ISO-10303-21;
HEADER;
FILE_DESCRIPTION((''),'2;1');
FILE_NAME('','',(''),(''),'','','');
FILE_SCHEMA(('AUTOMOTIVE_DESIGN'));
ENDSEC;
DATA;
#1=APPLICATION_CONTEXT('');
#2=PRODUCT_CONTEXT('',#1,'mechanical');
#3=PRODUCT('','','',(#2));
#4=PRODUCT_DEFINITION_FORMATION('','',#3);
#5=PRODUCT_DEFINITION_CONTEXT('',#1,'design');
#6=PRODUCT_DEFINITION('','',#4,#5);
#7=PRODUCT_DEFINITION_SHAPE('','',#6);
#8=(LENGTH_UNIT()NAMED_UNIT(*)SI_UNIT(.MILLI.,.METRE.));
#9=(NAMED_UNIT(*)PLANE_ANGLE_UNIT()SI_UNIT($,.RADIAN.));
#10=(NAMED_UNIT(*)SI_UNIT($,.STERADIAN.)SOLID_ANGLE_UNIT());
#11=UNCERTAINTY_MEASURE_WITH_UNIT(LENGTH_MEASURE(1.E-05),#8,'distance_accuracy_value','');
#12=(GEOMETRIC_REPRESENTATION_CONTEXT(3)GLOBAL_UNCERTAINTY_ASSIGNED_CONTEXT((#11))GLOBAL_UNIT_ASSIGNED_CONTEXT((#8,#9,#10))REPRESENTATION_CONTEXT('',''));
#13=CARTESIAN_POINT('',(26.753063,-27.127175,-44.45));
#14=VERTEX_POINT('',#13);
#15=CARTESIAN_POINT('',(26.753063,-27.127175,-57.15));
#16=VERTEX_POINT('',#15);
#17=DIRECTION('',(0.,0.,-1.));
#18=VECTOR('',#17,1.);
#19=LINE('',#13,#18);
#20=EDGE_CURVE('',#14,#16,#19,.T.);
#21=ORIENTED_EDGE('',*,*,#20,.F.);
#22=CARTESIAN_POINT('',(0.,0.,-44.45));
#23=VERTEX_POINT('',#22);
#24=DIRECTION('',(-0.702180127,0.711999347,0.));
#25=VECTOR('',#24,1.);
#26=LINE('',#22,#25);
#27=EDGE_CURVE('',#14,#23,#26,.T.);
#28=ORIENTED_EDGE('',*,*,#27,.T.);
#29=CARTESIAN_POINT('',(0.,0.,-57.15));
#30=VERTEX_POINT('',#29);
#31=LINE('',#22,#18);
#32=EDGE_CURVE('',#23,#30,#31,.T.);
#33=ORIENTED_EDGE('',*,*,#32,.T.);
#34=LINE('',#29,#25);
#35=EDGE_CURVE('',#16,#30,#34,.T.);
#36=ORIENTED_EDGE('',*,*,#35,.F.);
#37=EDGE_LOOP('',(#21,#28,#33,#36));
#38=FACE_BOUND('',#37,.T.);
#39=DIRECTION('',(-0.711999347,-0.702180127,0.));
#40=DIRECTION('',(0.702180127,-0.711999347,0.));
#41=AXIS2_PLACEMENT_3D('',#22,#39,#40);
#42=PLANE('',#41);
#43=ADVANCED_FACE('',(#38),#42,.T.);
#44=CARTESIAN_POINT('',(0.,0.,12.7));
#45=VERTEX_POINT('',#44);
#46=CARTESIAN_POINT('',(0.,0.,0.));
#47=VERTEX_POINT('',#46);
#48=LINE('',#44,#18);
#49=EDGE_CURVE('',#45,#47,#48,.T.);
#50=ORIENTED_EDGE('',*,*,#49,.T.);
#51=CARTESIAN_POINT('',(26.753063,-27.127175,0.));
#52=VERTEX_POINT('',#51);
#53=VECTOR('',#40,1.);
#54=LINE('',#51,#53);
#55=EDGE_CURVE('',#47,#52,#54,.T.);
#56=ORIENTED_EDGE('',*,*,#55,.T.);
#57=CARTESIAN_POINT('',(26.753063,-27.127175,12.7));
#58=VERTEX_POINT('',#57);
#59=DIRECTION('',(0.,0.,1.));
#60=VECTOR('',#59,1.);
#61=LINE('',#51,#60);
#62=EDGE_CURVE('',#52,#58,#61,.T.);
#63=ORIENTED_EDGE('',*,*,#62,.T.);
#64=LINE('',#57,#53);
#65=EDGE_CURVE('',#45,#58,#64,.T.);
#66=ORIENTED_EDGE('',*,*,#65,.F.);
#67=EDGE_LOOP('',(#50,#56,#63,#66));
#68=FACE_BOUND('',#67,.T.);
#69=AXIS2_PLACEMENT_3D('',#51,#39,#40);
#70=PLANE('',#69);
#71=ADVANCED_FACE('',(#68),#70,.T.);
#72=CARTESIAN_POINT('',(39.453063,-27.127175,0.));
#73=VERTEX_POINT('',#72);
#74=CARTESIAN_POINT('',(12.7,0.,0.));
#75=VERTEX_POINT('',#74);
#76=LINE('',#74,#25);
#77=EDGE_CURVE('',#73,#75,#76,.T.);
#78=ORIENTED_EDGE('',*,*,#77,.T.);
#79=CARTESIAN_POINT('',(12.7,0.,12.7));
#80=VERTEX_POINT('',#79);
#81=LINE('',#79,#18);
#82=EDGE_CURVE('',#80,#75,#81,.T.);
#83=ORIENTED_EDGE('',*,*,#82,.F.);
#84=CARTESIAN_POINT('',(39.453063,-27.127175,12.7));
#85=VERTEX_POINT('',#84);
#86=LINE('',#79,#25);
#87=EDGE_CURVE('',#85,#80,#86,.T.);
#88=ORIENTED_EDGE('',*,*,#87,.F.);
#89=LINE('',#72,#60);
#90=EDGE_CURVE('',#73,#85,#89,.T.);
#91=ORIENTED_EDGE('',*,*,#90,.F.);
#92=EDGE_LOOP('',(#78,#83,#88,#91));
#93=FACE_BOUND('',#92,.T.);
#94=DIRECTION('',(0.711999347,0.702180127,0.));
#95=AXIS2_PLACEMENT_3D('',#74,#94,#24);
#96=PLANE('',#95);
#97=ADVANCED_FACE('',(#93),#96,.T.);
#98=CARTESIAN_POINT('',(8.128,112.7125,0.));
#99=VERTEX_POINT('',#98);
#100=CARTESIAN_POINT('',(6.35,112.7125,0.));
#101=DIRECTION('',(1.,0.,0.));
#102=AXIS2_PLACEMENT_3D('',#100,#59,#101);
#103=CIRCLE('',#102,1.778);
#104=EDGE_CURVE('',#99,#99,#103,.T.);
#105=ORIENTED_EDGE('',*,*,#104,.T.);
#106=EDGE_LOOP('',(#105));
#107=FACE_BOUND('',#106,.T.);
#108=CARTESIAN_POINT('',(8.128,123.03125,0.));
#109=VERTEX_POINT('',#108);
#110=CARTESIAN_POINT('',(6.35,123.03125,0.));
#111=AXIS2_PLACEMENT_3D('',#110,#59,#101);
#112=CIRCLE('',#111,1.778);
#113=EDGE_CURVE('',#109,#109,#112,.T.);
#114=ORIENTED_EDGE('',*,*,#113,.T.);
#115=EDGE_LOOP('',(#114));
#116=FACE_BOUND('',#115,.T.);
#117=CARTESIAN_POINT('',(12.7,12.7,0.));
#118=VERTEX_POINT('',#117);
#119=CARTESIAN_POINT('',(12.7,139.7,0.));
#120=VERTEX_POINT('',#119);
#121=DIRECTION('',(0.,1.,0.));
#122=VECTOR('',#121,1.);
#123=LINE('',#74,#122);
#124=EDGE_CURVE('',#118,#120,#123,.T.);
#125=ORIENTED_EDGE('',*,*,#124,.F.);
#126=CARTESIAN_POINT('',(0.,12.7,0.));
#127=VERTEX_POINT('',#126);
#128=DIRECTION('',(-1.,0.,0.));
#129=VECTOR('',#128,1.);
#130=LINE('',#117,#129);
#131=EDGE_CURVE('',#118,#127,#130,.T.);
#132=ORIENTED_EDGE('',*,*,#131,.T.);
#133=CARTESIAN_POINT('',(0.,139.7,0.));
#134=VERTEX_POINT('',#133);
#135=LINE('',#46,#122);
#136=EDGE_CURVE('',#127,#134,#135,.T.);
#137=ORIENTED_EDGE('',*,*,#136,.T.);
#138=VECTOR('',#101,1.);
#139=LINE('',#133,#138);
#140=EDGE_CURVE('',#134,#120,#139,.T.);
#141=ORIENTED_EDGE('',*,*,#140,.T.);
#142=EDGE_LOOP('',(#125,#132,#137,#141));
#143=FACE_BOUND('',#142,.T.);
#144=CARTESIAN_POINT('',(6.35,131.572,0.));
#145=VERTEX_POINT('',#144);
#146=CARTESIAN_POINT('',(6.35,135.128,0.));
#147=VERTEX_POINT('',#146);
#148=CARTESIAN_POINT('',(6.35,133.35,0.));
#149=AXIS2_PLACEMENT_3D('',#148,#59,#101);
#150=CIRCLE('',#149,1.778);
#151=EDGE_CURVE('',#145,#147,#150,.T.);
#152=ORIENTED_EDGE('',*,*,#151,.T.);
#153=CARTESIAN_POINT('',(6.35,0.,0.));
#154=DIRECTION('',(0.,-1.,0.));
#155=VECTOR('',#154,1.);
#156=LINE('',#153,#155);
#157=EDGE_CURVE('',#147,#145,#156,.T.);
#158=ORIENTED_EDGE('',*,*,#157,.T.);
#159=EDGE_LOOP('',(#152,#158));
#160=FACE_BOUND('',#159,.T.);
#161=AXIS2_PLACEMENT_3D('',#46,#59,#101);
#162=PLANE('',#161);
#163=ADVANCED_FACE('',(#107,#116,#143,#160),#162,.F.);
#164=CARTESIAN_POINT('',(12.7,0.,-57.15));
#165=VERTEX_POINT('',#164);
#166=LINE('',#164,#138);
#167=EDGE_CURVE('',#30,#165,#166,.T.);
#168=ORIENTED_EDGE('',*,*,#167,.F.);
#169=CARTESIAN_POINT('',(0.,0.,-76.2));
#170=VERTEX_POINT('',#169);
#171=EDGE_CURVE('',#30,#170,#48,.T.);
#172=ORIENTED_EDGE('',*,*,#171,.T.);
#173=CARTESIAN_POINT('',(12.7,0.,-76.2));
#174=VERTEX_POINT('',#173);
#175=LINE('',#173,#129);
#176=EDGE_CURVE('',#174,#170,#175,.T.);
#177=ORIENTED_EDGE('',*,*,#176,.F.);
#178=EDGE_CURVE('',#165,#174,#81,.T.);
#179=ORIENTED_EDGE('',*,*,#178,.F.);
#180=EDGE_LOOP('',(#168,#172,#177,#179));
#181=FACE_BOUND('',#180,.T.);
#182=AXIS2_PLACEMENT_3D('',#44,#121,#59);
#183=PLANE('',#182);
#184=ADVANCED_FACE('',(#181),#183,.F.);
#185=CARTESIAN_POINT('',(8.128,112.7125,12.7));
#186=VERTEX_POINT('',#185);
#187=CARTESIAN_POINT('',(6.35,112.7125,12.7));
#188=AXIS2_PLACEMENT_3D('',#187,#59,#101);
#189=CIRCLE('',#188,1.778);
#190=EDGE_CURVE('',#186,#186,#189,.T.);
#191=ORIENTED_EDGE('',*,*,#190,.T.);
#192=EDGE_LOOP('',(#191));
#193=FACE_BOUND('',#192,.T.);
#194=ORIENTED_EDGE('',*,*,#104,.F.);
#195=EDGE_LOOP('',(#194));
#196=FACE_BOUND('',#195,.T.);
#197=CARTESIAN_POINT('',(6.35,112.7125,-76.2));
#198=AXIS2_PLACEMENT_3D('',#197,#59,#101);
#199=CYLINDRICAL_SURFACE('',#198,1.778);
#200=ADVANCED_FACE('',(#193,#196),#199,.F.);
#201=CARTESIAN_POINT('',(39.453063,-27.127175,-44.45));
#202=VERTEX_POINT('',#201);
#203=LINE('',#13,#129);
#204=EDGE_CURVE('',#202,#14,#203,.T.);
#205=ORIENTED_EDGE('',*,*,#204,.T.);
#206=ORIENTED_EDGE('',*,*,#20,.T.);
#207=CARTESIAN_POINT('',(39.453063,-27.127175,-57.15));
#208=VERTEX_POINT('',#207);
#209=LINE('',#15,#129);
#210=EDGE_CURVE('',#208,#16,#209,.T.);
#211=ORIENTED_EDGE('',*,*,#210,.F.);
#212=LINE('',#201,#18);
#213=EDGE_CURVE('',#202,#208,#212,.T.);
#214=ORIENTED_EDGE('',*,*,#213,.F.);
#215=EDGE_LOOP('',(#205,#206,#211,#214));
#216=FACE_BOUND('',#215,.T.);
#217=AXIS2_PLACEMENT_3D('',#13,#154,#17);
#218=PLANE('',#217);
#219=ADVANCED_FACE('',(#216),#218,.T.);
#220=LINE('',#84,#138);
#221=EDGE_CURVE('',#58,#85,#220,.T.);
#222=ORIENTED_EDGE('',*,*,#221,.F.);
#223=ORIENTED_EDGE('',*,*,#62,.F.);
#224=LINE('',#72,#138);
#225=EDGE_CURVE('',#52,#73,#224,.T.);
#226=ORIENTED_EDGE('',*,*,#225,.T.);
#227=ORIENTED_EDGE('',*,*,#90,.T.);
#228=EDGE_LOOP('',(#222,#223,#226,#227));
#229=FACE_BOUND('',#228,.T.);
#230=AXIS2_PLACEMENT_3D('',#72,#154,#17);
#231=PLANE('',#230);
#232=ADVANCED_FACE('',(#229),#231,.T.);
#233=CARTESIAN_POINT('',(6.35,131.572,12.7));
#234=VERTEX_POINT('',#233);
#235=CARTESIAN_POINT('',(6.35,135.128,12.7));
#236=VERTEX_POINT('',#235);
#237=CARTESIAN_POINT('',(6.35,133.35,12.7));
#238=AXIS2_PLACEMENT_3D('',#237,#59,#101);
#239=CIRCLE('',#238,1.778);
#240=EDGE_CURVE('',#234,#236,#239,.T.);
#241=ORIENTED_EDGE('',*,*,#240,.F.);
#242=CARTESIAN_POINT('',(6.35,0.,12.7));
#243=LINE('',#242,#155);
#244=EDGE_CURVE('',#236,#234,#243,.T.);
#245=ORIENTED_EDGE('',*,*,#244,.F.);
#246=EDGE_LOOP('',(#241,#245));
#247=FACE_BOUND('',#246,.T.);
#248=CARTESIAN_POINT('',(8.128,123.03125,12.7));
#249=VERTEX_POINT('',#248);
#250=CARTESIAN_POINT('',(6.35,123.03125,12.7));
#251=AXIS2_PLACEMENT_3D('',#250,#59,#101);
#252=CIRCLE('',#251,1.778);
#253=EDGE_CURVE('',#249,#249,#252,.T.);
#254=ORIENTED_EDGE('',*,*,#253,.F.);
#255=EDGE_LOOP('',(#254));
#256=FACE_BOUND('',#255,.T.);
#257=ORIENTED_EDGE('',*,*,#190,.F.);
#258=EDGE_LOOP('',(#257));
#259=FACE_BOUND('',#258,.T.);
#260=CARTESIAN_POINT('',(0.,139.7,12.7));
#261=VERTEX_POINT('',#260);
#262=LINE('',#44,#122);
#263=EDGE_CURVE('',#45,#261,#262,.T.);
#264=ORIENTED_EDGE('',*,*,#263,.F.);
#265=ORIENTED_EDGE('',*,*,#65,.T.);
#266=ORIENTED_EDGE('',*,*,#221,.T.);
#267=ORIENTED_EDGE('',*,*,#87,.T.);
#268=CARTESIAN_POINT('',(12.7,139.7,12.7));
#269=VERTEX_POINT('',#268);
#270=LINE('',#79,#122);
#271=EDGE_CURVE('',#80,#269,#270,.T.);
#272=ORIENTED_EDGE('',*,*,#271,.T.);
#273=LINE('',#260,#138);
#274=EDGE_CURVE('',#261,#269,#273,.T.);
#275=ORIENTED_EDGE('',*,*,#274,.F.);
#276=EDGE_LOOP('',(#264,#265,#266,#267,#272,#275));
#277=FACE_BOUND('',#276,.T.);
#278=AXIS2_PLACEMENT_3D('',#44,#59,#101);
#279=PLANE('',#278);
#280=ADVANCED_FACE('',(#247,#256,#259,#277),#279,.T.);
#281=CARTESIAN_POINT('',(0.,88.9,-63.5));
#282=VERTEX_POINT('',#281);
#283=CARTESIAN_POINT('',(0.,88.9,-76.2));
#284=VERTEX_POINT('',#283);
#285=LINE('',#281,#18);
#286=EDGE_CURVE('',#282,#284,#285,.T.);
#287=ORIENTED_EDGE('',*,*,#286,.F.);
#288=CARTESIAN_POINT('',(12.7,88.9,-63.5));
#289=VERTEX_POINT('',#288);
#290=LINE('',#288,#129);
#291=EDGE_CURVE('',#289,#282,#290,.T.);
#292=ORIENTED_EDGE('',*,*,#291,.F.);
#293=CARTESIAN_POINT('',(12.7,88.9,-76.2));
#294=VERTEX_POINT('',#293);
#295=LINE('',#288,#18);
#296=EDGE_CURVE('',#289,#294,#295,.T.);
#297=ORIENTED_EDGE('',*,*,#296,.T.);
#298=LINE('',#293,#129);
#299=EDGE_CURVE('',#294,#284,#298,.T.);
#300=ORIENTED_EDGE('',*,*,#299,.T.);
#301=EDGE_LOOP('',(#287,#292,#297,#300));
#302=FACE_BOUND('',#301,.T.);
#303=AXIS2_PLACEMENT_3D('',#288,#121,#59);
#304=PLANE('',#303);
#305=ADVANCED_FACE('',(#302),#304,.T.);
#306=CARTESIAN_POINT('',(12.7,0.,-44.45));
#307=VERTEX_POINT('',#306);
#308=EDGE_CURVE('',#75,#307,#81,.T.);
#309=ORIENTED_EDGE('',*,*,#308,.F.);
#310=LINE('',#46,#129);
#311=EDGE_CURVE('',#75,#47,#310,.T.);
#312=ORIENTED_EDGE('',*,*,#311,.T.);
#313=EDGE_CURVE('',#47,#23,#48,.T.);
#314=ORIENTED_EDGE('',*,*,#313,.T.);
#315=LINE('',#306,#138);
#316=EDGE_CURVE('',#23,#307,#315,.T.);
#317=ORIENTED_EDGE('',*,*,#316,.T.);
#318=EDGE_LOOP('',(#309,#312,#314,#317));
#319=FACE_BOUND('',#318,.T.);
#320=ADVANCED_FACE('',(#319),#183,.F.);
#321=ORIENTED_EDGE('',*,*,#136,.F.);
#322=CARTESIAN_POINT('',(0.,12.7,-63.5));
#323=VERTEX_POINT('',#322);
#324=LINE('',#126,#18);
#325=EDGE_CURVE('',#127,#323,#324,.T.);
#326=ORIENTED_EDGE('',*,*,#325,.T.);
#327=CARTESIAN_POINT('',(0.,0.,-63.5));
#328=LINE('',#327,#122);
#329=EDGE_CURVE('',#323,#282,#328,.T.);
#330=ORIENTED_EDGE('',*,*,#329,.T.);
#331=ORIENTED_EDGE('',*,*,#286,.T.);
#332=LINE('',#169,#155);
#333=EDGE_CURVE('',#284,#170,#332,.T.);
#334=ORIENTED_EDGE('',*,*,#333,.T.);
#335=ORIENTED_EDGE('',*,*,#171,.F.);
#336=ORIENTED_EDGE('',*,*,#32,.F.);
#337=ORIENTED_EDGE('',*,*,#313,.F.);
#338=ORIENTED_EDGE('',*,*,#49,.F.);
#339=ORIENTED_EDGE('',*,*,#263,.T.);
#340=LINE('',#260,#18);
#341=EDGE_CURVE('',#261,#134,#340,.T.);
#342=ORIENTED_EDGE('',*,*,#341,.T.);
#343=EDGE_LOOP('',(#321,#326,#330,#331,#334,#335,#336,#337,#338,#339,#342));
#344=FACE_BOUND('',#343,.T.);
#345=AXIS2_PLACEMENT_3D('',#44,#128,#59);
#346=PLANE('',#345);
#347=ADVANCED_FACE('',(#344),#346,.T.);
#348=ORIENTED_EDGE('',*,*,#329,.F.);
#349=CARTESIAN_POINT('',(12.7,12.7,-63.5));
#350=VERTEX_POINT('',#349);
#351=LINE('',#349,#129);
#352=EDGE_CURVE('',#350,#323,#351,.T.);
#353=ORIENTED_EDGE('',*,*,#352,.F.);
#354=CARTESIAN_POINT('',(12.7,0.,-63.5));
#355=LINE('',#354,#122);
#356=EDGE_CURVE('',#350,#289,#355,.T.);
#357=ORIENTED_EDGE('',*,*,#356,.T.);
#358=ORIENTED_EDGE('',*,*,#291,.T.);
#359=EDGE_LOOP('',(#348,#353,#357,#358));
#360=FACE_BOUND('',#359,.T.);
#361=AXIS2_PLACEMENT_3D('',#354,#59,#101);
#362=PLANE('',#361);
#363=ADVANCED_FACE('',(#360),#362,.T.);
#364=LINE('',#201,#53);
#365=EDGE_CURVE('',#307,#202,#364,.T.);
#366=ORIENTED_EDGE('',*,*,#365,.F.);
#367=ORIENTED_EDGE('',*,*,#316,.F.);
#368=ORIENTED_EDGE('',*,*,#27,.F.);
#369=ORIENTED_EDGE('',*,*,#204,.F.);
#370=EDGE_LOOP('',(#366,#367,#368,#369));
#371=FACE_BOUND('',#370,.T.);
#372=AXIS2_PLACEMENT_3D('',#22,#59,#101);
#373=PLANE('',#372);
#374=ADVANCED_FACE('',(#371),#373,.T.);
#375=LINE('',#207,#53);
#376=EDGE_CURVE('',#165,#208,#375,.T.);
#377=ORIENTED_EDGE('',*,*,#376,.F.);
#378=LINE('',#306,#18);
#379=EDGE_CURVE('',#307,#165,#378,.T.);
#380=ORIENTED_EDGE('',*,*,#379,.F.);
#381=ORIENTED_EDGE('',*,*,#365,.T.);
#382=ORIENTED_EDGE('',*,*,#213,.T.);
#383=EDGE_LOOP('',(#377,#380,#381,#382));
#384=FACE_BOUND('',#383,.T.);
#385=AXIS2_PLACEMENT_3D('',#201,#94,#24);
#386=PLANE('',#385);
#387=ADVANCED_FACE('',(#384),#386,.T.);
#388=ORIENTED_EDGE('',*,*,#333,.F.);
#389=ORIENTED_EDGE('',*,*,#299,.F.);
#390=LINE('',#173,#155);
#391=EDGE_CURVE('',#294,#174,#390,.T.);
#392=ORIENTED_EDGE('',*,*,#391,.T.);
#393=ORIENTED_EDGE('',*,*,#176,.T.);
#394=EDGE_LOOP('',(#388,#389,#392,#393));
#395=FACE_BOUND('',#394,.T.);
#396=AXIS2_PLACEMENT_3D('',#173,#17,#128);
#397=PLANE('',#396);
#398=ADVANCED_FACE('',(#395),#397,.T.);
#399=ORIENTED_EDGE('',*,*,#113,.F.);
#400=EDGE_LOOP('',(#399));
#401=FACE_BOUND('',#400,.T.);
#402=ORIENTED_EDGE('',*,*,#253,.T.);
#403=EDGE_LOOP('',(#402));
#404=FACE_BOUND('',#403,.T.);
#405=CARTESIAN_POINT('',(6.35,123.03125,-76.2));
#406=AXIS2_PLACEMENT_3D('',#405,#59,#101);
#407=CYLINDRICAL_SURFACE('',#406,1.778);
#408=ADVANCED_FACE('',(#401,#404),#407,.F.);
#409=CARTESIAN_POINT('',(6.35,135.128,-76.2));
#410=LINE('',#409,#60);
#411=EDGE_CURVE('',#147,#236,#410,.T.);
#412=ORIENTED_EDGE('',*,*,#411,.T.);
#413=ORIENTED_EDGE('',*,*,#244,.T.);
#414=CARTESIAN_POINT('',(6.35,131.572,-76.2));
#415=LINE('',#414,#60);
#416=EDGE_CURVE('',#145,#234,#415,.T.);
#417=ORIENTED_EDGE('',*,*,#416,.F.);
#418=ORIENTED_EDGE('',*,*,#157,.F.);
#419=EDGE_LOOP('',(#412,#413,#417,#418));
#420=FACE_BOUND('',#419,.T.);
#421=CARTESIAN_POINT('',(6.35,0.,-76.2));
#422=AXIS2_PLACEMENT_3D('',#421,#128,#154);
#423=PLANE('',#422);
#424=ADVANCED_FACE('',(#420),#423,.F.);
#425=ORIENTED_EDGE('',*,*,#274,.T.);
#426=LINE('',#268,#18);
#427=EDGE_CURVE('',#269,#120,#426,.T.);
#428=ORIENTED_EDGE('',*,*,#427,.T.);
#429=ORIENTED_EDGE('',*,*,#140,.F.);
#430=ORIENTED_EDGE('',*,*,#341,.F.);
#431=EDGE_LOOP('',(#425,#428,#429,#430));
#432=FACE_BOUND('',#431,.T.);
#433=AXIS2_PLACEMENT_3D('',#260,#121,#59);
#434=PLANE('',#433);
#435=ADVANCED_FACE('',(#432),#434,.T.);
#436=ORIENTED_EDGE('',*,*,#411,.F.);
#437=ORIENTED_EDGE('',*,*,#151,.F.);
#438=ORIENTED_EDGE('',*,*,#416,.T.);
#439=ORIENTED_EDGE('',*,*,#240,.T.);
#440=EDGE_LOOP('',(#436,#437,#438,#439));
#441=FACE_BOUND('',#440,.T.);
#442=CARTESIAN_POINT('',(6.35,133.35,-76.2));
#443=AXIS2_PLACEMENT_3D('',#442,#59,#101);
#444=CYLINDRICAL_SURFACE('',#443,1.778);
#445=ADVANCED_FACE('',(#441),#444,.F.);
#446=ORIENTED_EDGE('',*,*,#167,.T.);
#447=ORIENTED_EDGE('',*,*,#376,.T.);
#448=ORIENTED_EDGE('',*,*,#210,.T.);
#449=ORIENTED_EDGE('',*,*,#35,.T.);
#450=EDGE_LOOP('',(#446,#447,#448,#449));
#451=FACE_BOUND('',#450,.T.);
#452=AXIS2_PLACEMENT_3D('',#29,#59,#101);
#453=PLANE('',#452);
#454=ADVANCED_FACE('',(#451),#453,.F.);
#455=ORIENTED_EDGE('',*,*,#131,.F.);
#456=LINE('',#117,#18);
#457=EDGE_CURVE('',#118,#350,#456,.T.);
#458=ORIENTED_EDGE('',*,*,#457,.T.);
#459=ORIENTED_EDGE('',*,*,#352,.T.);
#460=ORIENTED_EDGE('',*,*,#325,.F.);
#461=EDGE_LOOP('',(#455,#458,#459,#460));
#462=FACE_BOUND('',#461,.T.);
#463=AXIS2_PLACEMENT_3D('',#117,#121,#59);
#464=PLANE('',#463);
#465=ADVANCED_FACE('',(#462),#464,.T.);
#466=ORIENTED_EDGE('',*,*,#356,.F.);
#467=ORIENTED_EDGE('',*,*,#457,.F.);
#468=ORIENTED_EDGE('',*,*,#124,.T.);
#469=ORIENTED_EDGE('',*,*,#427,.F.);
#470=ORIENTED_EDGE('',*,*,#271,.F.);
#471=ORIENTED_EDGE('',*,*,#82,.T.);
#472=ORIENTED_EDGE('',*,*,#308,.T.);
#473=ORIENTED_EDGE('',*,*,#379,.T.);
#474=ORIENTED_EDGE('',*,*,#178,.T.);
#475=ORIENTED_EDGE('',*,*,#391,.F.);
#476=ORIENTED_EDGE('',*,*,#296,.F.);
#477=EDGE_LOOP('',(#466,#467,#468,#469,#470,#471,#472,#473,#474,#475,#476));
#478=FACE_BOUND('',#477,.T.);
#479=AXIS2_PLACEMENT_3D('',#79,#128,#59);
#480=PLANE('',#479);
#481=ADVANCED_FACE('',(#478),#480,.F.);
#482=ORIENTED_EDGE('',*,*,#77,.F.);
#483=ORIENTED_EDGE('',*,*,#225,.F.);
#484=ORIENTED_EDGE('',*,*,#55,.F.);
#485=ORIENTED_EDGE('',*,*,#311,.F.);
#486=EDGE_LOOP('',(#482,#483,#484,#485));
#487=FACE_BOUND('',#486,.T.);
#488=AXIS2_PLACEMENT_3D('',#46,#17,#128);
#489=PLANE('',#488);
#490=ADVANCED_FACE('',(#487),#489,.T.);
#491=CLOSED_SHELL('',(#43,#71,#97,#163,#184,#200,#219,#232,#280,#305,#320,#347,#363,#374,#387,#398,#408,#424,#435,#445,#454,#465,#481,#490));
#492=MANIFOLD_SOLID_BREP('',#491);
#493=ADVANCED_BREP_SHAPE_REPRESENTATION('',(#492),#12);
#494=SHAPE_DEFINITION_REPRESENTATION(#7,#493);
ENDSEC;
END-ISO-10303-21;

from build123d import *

# Parameters (mm, degrees)
SKETCH1_W           = 12.7
SKETCH1_H           = 139.7
BOSS_EXTRUDE1_DEPTH = 12.7
SKETCH2_W           = 63.5
SKETCH2_H           = 12.7
BOSS_EXTRUDE2_DEPTH = 12.7
SKETCH3_W           = 12.7
SKETCH3_H           = 88.9
BOSS_EXTRUDE3_DEPTH = 12.7
BOSS_EXTRUDE5_DEPTH = 12.7
BOSS_EXTRUDE6_START = -19.05
BOSS_EXTRUDE6_DEPTH = 12.7
SKETCH6_R           = 1.778
CUT_EXTRUDE1_DEPTH  = 89.9


with BuildPart() as part:
    # Sketch1 → Boss-Extrude1 (new body)
    with BuildSketch(Plane.XY):
        with Locations((6.35, 69.85)):
            Rectangle(SKETCH1_W, SKETCH1_H)
    extrude(amount=BOSS_EXTRUDE1_DEPTH)

    # Sketch2 → Boss-Extrude2 (add)
    with BuildSketch(Plane.ZY):
        with Locations((-31.75, 6.35)):
            Rectangle(SKETCH2_W, SKETCH2_H)
    extrude(amount=-BOSS_EXTRUDE2_DEPTH)

    # Sketch3 → Boss-Extrude3 (add)
    with BuildSketch(Plane.ZY):
        with Locations((-69.85, 44.45)):
            Rectangle(SKETCH3_W, SKETCH3_H)
    extrude(amount=-BOSS_EXTRUDE3_DEPTH)

    # Sketch4 → Boss-Extrude5 (add)
    with BuildSketch(Plane.XY.offset(12.7)):
        Polygon((12.7, 0), (39.453062828, -27.127175108), (26.753062828, -27.127175108), (0, 0), align=None)
    extrude(amount=-BOSS_EXTRUDE5_DEPTH)

    # Sketch5 → Boss-Extrude6 (add)
    with BuildSketch(Plane(origin=(0, 0, -76.2), x_dir=(-1, 0, 0), z_dir=(0, 0, -1)).offset(BOSS_EXTRUDE6_START)):
        Polygon((0, 0), (-26.753062828, -27.127175108), (-39.453062828, -27.127175108), (-12.7, 0), align=None)
    extrude(amount=-BOSS_EXTRUDE6_DEPTH)

    # Sketch6 → Cut-Extrude1 (cut, through all)
    with BuildSketch(Plane.XY.offset(12.7)):
        with BuildLine():
            ThreePointArc((6.35, 131.572), (8.128, 133.35), (6.35, 135.128))
            Line((6.35, 135.128), (6.35, 131.572))
        make_face()
        with Locations((6.35, 112.7125)):
            Circle(SKETCH6_R)
        with Locations((6.35, 123.03125)):
            Circle(SKETCH6_R)
    extrude(amount=-CUT_EXTRUDE1_DEPTH, mode=Mode.SUBTRACT)


solid = part.part
